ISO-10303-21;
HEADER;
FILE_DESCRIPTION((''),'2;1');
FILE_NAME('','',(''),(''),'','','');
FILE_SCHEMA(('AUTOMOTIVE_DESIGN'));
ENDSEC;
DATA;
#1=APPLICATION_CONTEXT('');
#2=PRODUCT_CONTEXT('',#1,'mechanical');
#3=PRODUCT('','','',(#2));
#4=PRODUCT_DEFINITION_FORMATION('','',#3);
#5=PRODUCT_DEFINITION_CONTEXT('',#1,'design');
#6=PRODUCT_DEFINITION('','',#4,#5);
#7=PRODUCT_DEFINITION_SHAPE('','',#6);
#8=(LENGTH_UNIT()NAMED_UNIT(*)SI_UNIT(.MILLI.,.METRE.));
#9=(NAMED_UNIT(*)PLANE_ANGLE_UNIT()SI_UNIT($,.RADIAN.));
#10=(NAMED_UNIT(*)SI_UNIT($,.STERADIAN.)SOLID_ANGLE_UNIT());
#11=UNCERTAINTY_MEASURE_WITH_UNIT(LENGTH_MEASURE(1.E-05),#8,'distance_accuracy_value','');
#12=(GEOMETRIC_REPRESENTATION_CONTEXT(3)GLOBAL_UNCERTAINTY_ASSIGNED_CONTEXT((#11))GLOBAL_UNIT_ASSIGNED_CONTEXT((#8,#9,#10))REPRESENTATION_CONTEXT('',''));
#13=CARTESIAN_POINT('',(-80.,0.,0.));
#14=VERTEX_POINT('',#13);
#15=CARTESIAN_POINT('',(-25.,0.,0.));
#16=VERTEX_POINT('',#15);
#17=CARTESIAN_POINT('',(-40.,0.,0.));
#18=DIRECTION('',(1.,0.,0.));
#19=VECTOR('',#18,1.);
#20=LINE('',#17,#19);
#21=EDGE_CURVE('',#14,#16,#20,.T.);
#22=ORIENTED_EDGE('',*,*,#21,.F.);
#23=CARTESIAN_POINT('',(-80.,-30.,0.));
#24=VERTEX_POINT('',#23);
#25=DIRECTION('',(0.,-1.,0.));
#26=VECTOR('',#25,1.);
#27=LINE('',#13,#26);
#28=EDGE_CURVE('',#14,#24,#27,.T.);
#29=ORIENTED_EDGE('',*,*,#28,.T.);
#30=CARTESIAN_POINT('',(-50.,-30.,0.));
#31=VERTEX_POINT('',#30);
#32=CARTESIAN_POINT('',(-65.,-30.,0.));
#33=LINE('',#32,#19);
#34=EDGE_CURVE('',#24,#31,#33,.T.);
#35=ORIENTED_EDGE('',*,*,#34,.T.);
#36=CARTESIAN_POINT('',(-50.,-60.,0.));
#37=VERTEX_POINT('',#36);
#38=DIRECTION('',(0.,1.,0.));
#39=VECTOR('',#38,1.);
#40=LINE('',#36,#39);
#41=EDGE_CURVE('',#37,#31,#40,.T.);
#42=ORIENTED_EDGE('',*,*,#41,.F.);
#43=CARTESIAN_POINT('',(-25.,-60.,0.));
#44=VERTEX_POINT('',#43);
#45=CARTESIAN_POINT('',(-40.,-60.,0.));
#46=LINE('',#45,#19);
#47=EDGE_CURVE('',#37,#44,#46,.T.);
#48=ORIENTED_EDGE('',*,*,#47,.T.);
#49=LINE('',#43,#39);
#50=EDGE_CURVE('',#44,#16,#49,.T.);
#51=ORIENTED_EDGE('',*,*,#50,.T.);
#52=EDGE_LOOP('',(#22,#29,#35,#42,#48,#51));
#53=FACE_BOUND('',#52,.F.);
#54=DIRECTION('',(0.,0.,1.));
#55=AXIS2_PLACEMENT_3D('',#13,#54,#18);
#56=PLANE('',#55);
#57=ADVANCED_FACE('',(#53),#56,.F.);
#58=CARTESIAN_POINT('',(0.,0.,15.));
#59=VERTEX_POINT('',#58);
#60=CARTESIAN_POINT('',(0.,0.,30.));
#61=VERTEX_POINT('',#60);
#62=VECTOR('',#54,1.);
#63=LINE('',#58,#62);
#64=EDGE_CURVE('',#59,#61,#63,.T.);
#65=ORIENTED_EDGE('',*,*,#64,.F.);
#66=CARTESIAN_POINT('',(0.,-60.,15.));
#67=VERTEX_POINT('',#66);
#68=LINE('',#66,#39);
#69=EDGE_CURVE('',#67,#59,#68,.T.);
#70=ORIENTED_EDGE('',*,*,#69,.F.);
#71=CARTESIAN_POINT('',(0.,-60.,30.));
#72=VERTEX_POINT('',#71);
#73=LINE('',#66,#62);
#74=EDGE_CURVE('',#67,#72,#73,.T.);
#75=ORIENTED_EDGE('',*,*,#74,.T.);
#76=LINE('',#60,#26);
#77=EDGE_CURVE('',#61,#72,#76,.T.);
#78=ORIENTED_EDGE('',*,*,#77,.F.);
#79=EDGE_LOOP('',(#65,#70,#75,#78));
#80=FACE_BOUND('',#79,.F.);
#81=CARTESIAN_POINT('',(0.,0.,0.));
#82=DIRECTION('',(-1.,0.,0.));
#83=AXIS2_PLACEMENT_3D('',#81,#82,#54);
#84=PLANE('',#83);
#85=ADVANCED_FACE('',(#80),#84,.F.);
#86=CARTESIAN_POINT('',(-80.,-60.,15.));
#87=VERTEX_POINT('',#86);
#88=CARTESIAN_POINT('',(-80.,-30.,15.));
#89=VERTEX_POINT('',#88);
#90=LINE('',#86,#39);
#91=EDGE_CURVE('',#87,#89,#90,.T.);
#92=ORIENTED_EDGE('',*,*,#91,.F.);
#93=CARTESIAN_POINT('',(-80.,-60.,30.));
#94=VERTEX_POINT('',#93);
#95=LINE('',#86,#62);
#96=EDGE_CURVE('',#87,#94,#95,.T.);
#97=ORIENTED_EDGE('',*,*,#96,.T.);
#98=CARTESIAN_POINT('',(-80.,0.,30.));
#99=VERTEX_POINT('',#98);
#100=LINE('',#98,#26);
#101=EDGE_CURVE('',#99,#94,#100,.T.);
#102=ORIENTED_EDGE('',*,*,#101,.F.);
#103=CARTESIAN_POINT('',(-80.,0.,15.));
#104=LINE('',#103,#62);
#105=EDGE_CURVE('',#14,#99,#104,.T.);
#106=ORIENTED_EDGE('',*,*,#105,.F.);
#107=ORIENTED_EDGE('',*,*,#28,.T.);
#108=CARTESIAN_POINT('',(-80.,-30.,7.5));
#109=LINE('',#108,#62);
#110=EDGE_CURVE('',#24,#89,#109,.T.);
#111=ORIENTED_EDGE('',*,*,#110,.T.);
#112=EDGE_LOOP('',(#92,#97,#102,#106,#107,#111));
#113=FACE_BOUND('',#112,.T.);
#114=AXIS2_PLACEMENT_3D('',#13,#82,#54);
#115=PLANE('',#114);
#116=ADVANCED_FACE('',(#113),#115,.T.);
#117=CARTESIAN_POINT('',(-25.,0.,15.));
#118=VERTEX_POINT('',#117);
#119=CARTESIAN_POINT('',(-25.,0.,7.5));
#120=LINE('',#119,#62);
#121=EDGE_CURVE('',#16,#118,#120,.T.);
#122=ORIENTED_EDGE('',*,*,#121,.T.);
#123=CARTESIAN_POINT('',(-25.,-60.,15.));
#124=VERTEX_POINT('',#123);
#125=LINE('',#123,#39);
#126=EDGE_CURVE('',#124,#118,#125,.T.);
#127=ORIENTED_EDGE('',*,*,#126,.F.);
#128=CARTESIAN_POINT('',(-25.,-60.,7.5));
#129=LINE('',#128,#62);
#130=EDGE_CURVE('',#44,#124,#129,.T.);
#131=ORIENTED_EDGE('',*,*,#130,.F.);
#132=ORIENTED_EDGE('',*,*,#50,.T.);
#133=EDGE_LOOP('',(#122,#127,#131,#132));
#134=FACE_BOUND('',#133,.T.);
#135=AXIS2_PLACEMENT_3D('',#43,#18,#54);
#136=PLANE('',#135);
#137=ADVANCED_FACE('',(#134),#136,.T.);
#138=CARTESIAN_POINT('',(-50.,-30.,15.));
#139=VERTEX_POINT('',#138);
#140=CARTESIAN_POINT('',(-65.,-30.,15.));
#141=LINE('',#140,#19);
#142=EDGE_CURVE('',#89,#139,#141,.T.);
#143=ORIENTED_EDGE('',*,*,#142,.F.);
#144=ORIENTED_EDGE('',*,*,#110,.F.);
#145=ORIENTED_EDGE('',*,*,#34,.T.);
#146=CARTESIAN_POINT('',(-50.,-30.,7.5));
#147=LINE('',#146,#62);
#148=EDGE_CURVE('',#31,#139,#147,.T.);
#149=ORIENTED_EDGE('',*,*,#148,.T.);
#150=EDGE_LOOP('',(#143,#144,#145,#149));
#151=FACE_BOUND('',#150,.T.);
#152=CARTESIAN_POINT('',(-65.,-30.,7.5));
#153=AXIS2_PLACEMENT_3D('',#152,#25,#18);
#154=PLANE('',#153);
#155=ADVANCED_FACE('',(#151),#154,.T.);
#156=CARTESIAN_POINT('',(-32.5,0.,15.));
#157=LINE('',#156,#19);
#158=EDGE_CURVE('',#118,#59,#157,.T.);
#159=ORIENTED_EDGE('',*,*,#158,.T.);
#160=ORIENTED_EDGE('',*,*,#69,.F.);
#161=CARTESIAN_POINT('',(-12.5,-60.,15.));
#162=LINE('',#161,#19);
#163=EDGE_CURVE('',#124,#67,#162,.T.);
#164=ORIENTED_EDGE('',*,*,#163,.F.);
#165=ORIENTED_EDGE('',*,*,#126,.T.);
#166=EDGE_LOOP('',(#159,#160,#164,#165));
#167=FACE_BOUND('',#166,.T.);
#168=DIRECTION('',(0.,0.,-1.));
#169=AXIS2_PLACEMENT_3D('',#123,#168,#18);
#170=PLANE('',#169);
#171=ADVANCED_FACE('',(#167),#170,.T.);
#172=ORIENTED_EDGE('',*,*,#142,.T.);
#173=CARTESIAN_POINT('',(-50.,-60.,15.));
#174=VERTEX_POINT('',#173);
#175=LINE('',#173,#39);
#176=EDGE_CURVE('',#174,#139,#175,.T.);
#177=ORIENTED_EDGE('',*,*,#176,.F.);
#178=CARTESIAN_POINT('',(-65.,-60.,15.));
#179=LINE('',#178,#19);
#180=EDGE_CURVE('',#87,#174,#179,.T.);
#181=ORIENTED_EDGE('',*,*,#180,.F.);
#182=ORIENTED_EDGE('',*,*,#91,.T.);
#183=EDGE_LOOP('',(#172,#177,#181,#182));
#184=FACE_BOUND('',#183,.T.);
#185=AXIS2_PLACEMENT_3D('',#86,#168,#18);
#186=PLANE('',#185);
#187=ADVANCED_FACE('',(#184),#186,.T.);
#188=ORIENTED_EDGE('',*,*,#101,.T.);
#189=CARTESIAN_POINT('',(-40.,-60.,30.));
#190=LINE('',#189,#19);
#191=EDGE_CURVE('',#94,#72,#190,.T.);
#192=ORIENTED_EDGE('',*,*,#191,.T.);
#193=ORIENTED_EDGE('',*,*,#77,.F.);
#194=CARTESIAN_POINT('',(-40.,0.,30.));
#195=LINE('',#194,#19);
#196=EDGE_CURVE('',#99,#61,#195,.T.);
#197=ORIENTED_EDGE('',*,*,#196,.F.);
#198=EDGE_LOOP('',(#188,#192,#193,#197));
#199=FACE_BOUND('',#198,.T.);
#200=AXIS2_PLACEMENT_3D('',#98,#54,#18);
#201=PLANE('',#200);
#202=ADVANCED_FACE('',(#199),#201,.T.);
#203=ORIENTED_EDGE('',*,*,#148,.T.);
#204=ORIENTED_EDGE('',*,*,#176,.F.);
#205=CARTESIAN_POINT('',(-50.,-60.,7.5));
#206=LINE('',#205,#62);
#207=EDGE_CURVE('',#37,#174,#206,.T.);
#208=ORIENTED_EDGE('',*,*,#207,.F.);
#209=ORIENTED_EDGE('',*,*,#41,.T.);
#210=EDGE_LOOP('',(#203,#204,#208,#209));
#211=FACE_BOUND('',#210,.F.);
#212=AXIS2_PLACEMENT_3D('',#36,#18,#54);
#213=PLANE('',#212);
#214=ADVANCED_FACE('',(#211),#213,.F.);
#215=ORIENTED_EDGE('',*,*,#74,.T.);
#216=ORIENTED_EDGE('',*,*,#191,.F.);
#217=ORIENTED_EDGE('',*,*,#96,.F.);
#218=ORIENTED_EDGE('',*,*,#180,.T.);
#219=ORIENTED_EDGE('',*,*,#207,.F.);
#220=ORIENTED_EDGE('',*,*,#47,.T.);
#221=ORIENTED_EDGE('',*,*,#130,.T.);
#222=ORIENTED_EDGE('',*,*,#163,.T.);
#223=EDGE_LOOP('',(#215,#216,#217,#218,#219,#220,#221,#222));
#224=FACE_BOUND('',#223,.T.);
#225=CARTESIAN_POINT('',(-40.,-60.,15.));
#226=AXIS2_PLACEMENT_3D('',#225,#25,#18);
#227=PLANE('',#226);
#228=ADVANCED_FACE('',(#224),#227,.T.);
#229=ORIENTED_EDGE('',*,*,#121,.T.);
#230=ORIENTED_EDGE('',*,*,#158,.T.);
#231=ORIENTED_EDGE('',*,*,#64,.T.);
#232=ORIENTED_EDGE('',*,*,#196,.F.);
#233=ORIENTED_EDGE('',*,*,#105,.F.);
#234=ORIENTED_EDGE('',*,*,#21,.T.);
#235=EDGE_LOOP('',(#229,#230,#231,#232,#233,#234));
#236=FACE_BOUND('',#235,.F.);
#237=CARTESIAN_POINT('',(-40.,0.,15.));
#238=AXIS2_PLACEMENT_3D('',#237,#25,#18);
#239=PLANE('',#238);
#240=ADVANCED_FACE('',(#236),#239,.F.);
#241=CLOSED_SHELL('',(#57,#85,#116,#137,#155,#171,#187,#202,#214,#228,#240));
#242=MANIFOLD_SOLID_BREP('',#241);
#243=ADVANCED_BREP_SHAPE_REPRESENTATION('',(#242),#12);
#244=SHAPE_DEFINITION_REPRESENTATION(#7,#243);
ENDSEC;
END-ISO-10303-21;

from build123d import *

# Parameters (mm, degrees)
F0_W     = 80
F0_H     = 30
F1_DEPTH = 60
F2_W     = 30
F2_H     = 15
F3_DEPTH = 30
F2_W_2   = 25
F4_DEPTH = 60.001


with BuildPart() as f1:
    # F0 (on Front) → F1 (new body)
    with BuildSketch(Plane.XZ):
        with Locations((-40, 15)):
            Rectangle(F0_W, F0_H)
    extrude(amount=F1_DEPTH)

    # F2 (on face) → F3 (cut)
    with BuildSketch(Plane.XZ.offset(60)):
        with Locations((-65, 7.5)):
            Rectangle(F2_W, F2_H)
    extrude(amount=-F3_DEPTH, mode=Mode.SUBTRACT)

    # F2 (on face) → F4 (cut, through all)
    with BuildSketch(Plane.XZ.offset(60)):
        with Locations((-12.5, 7.5)):
            Rectangle(F2_W_2, F2_H)
    extrude(amount=-F4_DEPTH, mode=Mode.SUBTRACT)


solid = f1.part
